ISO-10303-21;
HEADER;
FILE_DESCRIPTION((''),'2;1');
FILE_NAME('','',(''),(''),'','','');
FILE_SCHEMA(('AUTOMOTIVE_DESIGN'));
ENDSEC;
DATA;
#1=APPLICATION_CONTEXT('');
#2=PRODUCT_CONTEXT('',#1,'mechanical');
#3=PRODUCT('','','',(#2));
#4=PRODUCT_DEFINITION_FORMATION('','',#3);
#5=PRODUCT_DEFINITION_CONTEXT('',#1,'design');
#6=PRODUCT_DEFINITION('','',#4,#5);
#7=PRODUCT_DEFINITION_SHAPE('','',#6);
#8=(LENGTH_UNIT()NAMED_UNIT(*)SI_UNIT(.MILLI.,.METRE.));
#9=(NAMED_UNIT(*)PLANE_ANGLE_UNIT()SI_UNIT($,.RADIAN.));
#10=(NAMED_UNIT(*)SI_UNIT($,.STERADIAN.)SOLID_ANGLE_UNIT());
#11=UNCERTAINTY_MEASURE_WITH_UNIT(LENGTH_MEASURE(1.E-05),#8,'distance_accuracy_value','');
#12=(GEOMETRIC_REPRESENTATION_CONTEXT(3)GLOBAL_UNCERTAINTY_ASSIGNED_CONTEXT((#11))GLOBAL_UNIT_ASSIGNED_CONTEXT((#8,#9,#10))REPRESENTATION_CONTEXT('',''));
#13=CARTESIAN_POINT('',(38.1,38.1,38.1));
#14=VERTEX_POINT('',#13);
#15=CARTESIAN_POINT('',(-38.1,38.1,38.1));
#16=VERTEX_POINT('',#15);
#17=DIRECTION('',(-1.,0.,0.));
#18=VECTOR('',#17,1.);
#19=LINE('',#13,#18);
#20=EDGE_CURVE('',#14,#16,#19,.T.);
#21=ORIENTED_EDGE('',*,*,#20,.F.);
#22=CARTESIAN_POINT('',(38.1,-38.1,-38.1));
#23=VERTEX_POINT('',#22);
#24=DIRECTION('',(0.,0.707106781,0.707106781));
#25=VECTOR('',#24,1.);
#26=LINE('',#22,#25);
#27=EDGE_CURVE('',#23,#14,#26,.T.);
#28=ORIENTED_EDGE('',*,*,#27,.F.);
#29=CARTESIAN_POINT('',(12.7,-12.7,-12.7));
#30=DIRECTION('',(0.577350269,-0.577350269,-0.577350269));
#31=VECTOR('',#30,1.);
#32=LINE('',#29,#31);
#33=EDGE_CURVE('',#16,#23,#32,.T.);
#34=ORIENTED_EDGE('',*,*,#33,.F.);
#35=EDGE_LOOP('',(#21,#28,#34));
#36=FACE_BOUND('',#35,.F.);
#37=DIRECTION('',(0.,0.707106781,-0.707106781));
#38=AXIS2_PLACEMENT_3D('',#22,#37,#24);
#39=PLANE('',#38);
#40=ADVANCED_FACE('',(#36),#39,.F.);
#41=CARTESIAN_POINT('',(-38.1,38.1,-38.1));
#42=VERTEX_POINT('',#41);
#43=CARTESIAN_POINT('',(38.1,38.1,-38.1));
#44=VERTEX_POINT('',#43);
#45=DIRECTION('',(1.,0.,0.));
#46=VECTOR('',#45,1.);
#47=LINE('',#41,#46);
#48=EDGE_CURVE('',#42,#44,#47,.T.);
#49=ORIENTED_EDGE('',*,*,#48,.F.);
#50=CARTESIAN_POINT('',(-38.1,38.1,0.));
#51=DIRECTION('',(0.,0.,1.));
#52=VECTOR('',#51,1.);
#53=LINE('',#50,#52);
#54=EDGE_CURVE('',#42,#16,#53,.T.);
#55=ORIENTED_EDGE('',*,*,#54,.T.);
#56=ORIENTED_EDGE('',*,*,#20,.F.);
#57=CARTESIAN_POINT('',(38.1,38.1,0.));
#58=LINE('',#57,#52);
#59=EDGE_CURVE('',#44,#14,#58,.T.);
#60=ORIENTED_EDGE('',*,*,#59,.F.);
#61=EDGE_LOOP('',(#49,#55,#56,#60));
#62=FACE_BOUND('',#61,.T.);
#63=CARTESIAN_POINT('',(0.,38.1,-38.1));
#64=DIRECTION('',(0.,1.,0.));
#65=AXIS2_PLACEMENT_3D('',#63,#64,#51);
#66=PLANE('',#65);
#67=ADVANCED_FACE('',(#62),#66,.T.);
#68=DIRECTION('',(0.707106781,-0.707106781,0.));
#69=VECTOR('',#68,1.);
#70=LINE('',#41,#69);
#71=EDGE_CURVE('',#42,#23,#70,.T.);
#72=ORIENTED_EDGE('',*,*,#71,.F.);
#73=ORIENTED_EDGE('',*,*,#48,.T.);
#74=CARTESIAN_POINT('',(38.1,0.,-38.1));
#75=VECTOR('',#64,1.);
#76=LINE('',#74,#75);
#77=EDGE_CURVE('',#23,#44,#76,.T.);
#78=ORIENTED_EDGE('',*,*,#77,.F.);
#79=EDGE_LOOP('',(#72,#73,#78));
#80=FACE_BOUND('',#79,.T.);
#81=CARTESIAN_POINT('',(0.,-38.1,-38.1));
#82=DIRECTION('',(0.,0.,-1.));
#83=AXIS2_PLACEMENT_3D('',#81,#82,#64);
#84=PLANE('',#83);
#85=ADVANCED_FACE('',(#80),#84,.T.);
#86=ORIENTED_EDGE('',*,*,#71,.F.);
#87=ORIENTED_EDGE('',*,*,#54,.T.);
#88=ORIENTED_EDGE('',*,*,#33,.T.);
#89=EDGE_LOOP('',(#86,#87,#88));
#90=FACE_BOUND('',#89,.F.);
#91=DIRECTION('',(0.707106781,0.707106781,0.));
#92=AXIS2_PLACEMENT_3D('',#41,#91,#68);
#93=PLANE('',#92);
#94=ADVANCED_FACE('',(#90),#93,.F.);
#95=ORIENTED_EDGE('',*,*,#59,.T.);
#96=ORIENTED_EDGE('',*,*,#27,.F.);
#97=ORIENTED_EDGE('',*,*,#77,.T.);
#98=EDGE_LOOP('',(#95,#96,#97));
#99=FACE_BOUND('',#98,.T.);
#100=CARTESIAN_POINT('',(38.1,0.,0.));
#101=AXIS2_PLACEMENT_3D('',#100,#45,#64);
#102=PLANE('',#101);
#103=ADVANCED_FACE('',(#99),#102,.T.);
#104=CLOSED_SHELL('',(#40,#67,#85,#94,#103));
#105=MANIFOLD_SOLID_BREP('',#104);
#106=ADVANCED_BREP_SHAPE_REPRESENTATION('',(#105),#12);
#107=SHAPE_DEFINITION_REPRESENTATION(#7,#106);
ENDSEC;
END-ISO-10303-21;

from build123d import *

# Parameters (mm, degrees)
F0_W     = 76.2
F0_H     = 76.2
F1_DEPTH = 38.1
F3_DEPTH = 76.2
F5_DEPTH = 76.2


with BuildPart() as f1:
    # F0 (on Right) → F1 (new body, symmetric)
    with BuildSketch(Plane.YZ):
        Rectangle(F0_W, F0_H)
    extrude(amount=F1_DEPTH, both=True)

    # F2 (on face) → F3 (cut)
    with BuildSketch(Plane.YZ.offset(38.1)):
        Polygon((38.1, 38.1), (-38.1, 38.1), (-38.1, -38.1), align=None)
    extrude(amount=-F3_DEPTH, mode=Mode.SUBTRACT)

    # F4 (on face) → F5 (cut)
    with BuildSketch(Plane(origin=(0, 0, -38.1), x_dir=(1, 0, 0), z_dir=(0, 0, -1))):
        Polygon((-38.1, -38.1), (38.1, 38.1), (-38.1, 38.1), align=None)
    extrude(amount=-F5_DEPTH, mode=Mode.SUBTRACT)


solid = f1.part
